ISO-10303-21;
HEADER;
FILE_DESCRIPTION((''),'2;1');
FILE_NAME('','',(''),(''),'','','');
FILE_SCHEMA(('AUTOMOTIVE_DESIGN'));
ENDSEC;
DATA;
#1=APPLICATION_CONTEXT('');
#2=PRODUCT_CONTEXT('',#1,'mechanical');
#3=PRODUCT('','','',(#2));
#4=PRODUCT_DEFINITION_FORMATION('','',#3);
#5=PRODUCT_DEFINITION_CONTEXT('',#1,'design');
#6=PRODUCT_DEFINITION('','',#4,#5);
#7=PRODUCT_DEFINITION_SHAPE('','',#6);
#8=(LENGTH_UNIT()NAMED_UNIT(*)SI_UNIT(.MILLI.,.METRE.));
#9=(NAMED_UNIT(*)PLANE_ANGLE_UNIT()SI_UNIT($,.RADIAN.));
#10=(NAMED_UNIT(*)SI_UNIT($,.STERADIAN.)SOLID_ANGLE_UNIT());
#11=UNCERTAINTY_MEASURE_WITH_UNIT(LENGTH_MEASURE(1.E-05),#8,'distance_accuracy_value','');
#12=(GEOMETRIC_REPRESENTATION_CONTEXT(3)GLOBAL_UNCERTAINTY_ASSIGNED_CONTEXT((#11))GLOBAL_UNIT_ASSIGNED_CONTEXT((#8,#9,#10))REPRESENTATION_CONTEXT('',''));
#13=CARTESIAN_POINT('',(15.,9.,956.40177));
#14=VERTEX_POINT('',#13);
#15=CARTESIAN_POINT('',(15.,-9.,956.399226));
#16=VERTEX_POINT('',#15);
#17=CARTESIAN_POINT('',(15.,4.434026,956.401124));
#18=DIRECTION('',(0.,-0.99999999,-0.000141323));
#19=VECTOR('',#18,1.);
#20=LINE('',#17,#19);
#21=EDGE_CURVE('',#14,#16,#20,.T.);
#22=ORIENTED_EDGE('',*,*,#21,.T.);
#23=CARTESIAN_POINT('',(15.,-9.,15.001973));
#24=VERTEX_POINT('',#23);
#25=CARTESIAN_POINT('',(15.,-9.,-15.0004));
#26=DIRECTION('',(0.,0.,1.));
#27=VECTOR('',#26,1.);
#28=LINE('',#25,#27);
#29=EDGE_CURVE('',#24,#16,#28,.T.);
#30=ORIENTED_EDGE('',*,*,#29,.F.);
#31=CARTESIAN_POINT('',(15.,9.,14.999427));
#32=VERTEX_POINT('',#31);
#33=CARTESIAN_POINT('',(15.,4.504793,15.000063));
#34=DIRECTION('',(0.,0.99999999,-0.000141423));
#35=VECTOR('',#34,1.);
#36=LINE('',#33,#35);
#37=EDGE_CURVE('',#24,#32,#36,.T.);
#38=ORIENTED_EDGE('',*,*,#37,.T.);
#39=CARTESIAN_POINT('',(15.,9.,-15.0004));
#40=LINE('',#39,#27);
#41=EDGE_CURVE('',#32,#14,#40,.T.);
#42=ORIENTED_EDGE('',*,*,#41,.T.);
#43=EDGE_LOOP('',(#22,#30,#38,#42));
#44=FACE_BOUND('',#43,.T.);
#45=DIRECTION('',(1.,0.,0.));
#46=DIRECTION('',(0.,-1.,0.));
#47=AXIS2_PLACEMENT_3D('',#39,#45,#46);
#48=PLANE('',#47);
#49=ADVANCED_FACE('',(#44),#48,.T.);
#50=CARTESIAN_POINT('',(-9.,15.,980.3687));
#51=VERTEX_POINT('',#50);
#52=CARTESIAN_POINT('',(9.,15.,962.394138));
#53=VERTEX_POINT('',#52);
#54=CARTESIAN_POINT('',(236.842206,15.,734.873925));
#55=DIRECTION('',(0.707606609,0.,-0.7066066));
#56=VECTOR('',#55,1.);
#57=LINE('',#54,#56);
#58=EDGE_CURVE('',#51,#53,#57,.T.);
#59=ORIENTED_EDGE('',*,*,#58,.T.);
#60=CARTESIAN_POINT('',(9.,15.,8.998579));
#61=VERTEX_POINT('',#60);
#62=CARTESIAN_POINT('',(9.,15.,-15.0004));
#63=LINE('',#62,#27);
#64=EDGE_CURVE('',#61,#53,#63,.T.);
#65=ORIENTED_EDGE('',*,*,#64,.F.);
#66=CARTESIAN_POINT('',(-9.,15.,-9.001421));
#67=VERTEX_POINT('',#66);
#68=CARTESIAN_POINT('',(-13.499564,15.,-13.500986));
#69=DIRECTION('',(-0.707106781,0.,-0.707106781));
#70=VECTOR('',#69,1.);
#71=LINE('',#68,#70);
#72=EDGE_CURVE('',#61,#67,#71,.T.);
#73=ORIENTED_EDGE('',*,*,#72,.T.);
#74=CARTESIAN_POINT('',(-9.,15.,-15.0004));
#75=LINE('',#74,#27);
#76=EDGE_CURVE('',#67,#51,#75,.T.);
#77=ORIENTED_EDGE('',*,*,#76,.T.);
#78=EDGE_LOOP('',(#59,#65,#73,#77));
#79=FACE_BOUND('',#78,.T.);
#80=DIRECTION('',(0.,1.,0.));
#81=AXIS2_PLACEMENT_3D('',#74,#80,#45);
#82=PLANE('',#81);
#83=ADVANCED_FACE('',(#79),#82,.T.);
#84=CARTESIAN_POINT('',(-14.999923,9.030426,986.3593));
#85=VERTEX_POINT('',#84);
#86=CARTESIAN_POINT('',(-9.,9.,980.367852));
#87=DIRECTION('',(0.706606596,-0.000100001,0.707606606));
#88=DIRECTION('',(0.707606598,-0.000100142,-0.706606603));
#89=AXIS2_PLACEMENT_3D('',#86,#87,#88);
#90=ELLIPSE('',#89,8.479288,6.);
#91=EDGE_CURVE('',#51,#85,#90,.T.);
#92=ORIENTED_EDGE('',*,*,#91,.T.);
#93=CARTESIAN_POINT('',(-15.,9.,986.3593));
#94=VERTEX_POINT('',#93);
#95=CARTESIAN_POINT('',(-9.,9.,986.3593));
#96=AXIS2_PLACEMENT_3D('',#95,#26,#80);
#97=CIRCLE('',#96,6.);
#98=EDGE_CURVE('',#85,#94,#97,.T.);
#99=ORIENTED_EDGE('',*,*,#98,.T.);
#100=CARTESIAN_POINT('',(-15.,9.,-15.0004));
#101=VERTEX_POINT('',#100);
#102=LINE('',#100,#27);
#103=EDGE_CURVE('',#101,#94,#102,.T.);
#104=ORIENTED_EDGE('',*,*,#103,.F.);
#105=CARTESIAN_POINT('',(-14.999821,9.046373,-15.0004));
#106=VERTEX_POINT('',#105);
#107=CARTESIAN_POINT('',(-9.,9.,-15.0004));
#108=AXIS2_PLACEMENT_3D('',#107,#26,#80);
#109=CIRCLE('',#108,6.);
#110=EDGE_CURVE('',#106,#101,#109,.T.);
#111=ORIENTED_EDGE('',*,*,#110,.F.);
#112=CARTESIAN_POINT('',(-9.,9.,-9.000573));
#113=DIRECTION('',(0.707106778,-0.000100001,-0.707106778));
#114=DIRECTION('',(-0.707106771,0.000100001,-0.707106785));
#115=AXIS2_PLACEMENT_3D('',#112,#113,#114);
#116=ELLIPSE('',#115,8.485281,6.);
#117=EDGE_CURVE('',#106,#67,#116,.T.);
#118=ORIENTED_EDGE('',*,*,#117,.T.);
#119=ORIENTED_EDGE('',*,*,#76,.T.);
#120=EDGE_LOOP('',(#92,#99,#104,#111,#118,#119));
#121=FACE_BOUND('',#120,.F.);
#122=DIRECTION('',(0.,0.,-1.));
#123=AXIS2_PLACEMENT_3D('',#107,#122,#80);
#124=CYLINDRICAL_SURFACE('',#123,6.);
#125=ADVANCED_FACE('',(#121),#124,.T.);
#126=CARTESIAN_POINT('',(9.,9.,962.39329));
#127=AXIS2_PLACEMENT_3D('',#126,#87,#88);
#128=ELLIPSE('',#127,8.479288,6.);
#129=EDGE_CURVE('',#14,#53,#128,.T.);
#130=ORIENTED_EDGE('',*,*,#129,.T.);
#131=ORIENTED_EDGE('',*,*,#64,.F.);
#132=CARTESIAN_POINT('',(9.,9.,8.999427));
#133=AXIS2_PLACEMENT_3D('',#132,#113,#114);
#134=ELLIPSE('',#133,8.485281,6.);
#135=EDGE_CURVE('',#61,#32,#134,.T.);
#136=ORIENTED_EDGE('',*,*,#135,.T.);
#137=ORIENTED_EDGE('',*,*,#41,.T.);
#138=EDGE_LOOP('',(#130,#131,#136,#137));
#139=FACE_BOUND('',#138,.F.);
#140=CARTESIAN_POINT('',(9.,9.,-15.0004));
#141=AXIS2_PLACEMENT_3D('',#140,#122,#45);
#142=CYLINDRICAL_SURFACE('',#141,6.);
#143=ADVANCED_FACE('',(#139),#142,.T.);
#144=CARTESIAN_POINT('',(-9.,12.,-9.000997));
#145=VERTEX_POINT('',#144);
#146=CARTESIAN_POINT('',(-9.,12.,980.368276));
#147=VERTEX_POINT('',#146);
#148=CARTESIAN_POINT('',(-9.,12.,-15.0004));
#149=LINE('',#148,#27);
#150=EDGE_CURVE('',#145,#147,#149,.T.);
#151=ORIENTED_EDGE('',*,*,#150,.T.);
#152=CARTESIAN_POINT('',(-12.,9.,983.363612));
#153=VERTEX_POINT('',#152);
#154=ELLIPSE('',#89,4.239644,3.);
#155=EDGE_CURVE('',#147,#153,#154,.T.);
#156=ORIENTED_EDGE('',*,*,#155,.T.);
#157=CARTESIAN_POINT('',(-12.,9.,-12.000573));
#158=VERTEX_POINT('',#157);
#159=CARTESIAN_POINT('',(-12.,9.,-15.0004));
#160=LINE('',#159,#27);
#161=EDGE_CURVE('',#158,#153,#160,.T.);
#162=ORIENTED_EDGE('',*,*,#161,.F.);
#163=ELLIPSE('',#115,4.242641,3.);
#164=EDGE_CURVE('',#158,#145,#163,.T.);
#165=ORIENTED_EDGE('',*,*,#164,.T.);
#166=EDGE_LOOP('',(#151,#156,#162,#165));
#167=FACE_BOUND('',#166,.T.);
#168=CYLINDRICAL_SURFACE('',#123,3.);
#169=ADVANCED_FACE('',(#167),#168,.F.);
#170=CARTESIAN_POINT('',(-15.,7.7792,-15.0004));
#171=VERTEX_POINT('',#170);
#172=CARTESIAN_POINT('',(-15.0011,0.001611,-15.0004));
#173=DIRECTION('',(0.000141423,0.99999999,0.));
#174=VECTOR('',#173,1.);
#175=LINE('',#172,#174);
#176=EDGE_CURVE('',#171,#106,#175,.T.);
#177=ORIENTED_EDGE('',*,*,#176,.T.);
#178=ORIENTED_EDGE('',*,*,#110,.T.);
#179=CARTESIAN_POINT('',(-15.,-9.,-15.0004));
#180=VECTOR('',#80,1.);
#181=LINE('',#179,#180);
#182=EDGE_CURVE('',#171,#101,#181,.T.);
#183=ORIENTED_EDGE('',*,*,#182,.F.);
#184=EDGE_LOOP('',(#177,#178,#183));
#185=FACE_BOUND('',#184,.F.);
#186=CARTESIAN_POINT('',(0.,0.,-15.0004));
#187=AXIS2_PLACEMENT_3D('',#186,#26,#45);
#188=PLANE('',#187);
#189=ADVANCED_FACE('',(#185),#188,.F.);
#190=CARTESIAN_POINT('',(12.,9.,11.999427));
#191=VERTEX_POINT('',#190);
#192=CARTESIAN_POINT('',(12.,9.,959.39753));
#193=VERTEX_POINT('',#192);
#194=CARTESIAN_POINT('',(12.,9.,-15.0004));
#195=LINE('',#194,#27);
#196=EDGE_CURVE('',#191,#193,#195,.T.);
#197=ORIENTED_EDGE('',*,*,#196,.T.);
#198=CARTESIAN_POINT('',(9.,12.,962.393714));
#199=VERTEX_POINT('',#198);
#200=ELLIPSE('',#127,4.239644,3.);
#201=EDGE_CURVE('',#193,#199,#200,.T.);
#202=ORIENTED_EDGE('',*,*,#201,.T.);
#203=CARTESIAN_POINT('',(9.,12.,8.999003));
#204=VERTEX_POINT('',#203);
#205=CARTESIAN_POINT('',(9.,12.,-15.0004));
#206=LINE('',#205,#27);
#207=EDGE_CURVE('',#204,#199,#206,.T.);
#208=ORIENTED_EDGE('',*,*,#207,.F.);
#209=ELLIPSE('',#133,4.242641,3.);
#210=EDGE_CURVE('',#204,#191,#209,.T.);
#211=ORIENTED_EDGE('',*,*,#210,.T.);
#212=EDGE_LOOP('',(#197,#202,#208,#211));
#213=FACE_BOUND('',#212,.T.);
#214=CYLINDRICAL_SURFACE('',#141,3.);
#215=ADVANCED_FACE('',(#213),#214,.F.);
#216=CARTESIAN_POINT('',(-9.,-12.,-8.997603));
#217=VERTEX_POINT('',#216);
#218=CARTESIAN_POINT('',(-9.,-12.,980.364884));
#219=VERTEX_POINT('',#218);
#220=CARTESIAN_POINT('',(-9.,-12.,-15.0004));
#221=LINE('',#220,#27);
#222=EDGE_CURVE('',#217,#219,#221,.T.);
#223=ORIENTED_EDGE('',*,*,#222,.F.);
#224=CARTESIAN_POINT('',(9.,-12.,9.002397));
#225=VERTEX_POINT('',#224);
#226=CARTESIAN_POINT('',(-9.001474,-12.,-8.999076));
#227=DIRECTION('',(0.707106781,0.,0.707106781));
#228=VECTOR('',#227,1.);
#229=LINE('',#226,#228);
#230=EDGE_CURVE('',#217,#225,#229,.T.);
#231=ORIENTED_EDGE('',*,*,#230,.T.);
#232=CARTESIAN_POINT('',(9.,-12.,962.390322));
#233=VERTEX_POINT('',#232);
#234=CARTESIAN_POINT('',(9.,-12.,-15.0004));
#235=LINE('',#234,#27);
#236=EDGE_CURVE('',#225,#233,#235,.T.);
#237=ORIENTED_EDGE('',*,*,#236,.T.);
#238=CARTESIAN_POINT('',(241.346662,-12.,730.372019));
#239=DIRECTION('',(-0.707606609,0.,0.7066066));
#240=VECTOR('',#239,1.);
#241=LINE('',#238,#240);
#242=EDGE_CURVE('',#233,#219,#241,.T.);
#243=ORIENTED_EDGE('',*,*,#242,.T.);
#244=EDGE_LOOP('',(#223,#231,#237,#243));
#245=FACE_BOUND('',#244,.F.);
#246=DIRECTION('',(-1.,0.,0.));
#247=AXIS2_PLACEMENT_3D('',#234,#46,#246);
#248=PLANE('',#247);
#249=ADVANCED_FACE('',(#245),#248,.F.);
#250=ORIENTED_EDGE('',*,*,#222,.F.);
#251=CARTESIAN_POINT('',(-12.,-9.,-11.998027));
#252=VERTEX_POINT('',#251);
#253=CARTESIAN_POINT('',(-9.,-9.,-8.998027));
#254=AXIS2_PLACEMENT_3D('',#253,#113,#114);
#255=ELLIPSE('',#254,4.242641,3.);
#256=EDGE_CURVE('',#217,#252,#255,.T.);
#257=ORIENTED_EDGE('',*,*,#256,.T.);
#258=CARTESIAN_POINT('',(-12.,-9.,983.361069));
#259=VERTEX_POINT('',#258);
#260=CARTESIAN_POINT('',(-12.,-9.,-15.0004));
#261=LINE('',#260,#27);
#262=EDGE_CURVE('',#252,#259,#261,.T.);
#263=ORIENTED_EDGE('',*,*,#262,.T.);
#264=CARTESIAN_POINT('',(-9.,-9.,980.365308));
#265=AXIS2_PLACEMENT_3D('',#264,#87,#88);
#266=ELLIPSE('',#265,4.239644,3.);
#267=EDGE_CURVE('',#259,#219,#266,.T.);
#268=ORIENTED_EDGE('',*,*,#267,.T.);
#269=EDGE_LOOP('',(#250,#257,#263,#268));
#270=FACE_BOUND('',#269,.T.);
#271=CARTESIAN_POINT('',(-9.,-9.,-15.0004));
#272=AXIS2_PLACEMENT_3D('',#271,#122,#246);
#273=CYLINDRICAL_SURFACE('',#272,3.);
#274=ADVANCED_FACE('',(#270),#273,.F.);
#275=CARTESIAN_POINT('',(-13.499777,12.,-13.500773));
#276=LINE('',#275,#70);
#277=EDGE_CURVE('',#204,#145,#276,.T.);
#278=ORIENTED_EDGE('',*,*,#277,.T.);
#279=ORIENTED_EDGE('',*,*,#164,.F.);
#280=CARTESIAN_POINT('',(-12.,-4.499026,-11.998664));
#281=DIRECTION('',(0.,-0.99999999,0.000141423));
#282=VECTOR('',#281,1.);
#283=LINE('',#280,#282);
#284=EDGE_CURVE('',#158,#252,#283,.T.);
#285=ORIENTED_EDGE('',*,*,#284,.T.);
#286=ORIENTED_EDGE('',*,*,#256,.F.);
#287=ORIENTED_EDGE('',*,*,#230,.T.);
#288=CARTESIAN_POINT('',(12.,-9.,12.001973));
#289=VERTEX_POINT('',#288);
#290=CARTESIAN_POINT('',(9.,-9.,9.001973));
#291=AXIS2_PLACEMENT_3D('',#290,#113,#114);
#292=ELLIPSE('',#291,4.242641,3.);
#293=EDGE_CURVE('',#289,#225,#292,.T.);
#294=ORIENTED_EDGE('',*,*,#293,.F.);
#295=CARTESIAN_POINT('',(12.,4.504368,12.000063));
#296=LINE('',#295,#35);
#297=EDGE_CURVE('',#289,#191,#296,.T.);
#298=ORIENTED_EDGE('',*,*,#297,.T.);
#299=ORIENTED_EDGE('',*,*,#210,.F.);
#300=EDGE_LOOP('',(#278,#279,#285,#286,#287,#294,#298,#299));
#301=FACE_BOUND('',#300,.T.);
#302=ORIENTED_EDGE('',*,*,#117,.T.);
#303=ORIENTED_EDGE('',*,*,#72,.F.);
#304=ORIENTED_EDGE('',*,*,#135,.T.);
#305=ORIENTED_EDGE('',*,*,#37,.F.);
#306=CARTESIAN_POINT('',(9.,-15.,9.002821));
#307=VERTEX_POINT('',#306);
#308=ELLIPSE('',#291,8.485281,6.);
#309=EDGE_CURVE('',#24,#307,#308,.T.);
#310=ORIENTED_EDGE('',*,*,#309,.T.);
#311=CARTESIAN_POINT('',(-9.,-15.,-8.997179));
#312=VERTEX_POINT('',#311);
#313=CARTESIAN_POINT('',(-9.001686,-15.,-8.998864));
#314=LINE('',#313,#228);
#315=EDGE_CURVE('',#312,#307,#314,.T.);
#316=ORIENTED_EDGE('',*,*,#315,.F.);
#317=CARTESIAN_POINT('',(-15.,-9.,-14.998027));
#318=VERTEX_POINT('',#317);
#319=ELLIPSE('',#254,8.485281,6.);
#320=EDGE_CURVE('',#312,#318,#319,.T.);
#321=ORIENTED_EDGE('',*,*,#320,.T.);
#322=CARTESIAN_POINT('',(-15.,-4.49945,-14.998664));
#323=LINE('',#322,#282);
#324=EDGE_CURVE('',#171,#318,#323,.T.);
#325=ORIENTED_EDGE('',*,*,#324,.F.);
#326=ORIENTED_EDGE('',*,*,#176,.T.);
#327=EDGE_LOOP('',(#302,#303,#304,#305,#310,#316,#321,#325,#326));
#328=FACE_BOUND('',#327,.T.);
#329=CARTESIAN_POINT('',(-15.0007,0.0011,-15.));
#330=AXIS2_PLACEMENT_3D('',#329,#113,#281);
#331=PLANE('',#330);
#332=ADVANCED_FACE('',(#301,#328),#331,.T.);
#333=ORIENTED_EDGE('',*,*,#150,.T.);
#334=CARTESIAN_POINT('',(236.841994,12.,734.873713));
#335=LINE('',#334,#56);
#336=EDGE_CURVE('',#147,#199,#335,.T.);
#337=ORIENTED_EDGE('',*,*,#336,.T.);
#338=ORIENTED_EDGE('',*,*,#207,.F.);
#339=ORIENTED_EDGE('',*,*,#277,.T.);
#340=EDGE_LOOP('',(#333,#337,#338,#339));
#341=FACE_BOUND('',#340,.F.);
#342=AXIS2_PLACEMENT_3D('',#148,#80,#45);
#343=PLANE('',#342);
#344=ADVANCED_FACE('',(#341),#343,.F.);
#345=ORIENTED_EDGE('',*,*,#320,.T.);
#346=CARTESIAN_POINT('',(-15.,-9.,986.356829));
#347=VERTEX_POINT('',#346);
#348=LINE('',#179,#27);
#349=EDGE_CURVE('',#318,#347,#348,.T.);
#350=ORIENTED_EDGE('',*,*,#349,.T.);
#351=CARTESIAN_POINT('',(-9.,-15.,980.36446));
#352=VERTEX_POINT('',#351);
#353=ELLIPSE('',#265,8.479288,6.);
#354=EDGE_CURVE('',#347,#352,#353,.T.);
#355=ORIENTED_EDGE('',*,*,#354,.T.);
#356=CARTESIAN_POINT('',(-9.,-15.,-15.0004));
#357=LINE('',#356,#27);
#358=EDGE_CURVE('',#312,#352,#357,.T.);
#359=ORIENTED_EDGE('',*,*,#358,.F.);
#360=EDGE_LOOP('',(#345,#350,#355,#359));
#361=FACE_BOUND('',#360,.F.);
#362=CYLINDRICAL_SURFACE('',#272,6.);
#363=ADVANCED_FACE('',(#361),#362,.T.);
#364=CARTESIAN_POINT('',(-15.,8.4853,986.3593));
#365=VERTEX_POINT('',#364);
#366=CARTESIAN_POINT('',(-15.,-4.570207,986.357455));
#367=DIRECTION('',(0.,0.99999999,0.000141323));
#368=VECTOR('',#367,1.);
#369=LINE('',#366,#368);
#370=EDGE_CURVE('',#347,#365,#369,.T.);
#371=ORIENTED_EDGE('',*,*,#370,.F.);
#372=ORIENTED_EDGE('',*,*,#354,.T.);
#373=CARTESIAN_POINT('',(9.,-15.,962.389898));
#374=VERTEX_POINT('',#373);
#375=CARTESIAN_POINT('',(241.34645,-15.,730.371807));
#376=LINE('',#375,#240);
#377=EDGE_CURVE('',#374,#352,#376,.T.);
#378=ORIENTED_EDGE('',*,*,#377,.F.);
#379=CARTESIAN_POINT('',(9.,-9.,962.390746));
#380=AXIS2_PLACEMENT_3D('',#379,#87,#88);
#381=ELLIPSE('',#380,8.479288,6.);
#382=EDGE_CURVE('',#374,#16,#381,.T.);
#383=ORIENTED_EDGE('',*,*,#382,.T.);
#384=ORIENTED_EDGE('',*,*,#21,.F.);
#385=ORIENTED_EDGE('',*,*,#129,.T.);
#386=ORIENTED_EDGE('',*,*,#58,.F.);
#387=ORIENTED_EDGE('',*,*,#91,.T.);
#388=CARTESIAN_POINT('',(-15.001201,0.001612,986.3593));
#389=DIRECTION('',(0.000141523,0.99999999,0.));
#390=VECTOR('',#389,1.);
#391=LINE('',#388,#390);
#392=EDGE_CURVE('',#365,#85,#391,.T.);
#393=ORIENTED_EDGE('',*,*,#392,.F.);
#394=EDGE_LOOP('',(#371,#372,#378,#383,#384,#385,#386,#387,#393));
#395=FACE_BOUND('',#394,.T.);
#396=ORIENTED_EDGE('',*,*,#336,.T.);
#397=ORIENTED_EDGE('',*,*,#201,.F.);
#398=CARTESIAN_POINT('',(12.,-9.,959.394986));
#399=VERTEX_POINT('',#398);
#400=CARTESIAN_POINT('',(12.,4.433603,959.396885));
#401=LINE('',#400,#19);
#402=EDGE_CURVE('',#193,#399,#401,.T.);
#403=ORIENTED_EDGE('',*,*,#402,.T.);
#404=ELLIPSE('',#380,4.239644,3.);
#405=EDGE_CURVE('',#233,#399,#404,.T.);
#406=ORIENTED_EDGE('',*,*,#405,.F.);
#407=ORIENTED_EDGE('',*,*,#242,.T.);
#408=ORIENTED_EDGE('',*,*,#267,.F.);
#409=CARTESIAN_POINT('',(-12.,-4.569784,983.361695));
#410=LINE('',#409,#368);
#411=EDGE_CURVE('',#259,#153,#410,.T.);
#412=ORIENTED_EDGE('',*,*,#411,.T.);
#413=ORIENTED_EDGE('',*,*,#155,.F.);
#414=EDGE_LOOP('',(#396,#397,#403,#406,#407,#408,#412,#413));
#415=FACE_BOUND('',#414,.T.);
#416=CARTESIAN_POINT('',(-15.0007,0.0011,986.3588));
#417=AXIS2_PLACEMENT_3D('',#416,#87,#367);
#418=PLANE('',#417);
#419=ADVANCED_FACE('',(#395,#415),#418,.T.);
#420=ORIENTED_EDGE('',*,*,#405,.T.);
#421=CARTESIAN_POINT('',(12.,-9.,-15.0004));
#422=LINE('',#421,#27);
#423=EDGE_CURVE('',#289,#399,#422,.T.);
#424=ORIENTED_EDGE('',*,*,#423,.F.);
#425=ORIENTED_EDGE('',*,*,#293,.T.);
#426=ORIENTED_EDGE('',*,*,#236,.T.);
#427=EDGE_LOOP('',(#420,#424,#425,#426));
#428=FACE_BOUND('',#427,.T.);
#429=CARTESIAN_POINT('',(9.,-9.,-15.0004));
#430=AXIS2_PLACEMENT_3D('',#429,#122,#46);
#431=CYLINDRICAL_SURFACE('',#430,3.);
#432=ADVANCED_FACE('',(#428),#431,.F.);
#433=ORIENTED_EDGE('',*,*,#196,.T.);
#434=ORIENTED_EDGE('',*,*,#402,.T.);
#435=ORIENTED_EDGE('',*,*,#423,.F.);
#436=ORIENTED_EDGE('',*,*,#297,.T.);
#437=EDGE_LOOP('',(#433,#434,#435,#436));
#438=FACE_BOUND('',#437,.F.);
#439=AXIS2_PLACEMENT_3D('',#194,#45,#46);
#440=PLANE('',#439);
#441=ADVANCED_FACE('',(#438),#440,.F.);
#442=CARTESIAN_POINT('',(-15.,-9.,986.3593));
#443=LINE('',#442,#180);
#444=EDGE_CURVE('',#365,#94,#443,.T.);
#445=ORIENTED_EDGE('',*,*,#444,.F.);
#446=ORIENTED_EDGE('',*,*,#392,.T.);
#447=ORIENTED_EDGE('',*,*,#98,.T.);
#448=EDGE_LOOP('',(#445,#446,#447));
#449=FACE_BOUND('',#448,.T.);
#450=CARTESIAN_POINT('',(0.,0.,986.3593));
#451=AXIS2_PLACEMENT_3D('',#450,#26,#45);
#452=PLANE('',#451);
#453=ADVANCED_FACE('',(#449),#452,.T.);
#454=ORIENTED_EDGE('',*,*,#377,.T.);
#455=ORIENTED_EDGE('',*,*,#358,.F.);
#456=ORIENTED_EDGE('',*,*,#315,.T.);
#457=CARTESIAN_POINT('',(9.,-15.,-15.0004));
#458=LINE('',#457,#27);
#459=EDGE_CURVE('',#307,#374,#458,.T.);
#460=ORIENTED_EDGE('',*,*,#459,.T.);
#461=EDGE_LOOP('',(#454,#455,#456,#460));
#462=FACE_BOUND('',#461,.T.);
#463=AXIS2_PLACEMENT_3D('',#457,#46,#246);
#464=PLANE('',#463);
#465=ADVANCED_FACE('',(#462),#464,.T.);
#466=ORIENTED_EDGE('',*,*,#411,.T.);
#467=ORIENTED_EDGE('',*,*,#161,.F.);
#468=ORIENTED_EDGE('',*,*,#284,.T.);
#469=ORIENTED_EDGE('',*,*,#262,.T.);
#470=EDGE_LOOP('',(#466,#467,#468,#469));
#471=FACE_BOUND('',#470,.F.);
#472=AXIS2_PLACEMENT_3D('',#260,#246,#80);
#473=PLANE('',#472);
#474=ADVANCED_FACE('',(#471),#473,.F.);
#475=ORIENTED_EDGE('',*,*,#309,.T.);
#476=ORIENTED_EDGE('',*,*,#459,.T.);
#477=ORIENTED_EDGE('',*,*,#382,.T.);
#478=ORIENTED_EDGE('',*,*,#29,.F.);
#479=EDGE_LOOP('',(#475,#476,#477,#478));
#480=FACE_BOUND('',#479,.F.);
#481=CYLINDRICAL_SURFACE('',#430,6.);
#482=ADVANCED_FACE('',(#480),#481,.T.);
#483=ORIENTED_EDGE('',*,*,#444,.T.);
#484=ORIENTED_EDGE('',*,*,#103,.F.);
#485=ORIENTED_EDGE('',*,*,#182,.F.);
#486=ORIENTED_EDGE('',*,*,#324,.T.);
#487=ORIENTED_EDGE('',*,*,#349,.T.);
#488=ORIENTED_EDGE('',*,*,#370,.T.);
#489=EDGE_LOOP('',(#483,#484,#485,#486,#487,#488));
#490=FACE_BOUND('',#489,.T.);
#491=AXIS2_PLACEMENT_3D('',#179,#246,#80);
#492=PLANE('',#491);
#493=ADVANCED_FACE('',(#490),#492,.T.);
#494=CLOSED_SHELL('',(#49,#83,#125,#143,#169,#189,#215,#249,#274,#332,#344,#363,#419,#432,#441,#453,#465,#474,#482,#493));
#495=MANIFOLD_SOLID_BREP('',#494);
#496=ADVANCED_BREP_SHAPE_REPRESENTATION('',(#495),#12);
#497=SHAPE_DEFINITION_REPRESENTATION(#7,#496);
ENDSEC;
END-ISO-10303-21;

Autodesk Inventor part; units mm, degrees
ref_plane "Start Plane" through (0, 0, -15.0004) normal (0, 0, 1) x (1, 0, 0)
ref_plane "End Plane" through (0, 0, 986.3593) normal (0, 0, 1) x (1, 0, 0)
sketch "Sketch" plane through (0, 0, 0) normal (0, 0, 1) x (1, 0, 0)
  line L0 (-15, -9) -> (-15, 9)
  line L1 (-9, 15) -> (9, 15)
  line L2 (15, 9) -> (15, -9)
  line L3 (9, -15) -> (-9, -15)
  arc A0 (-15, -9) -> (-9, -15) centre (-9, -9) ccw
  arc A1 (-9, 15) -> (-15, 9) centre (-9, 9) ccw
  arc A2 (15, 9) -> (9, 15) centre (9, 9) ccw
  arc A3 (9, -15) -> (15, -9) centre (9, -9) ccw
  arc A4 (-9, 12) -> (-12, 9) centre (-9, 9) ccw
  line L4 (-9, 12) -> (9, 12)
  arc A5 (12, 9) -> (9, 12) centre (9, 9) ccw
  line L5 (12, 9) -> (12, -9)
  arc A6 (9, -12) -> (12, -9) centre (9, -9) ccw
  line L6 (9, -12) -> (-9, -12)
  arc A7 (-12, -9) -> (-9, -12) centre (-9, -9) ccw
  line L7 (-12, -9) -> (-12, 9)
  line L8 (0, 22.7397) -> (0, -22.7397) construction
  line L9 (-22.7397, 0) -> (22.7397, 0) construction
  dimension "d7" = 6
  dimension "d10" = 30
  dimension "d11" = 30
  dimension "d12" = 3
  dimension "d15" = 15
  dimension "d16" = 15
extrude "Body" add sketch "Sketch" along normal up to surface (1001.3597 mm away) from surface at -15.0004
sketch "Sketch3" plane through (0, 0, 0) normal (0, 0, 1) x (1, 0, 0)
  line L0 (0, 0) -> (10, 0)
ref_plane "Work Plane3" through (0, 0, 0) normal (0, -1, 0) x (1, 0, 0)
ref_plane "Work Plane4" through (-15.0007, 0.0011, 986.3588) normal (0.7066, -0.0001, 0.7076) x (0.7076, 0, -0.7066)
split "Split1" plane through (-15.0007, 0.0011, 986.3588) removes the side toward (0.7066, -0.0001, 0.7076)
ref_plane "Work Plane5" through (-15.0007, 0.0011, -15) normal (0.7071, -0.0001, -0.7071) x (-0.7071, 0.0001, -0.7071)
split "Split2" plane through (-15.0007, 0.0011, -15) removes the side toward (0.7071, -0.0001, -0.7071)
sketch "Sketch4" plane through (0, 0, 0) normal (0, -1, 0) x (1, 0, 0)
  line L0 (-2, -15.0004) -> (12, -15.0004) projected
  line L1 (-2, 986.3593) -> (12, 986.3593) projected
  dimension "d18" = 1001.3597
equation "\"d7\" = G_IR"
equation "\"d10\" = G_H"
equation "\"d11\" = G_W"
equation "\"d12\" = G_T"
equation "\"d15\" = 0.5 * d10"
equation "\"d16\" = 0.5 * d11"
equation "\"d3\" = G_L"
equation "\"G_W\" = 30"
equation "\"G_H\" = 30"
equation "\"G_T\" = 3"
equation "\"G_IR\" = 6"
equation "\"G_L\" = d18"
equation "\"G_OFFSET_START\" = 15.00044"
equation "\"G_OFFSET_END\" = 14.9804"
equation "\"d13\" = -G_OFFSET_START"
equation "\"d14\" = G_OFFSET_END + B_L"
equation "\"B_L\" = 971.37886"
properties part number "DIN EN 10219-2 - 30 x 30 x 3  - 1001.36" material "Steel, Mild"
